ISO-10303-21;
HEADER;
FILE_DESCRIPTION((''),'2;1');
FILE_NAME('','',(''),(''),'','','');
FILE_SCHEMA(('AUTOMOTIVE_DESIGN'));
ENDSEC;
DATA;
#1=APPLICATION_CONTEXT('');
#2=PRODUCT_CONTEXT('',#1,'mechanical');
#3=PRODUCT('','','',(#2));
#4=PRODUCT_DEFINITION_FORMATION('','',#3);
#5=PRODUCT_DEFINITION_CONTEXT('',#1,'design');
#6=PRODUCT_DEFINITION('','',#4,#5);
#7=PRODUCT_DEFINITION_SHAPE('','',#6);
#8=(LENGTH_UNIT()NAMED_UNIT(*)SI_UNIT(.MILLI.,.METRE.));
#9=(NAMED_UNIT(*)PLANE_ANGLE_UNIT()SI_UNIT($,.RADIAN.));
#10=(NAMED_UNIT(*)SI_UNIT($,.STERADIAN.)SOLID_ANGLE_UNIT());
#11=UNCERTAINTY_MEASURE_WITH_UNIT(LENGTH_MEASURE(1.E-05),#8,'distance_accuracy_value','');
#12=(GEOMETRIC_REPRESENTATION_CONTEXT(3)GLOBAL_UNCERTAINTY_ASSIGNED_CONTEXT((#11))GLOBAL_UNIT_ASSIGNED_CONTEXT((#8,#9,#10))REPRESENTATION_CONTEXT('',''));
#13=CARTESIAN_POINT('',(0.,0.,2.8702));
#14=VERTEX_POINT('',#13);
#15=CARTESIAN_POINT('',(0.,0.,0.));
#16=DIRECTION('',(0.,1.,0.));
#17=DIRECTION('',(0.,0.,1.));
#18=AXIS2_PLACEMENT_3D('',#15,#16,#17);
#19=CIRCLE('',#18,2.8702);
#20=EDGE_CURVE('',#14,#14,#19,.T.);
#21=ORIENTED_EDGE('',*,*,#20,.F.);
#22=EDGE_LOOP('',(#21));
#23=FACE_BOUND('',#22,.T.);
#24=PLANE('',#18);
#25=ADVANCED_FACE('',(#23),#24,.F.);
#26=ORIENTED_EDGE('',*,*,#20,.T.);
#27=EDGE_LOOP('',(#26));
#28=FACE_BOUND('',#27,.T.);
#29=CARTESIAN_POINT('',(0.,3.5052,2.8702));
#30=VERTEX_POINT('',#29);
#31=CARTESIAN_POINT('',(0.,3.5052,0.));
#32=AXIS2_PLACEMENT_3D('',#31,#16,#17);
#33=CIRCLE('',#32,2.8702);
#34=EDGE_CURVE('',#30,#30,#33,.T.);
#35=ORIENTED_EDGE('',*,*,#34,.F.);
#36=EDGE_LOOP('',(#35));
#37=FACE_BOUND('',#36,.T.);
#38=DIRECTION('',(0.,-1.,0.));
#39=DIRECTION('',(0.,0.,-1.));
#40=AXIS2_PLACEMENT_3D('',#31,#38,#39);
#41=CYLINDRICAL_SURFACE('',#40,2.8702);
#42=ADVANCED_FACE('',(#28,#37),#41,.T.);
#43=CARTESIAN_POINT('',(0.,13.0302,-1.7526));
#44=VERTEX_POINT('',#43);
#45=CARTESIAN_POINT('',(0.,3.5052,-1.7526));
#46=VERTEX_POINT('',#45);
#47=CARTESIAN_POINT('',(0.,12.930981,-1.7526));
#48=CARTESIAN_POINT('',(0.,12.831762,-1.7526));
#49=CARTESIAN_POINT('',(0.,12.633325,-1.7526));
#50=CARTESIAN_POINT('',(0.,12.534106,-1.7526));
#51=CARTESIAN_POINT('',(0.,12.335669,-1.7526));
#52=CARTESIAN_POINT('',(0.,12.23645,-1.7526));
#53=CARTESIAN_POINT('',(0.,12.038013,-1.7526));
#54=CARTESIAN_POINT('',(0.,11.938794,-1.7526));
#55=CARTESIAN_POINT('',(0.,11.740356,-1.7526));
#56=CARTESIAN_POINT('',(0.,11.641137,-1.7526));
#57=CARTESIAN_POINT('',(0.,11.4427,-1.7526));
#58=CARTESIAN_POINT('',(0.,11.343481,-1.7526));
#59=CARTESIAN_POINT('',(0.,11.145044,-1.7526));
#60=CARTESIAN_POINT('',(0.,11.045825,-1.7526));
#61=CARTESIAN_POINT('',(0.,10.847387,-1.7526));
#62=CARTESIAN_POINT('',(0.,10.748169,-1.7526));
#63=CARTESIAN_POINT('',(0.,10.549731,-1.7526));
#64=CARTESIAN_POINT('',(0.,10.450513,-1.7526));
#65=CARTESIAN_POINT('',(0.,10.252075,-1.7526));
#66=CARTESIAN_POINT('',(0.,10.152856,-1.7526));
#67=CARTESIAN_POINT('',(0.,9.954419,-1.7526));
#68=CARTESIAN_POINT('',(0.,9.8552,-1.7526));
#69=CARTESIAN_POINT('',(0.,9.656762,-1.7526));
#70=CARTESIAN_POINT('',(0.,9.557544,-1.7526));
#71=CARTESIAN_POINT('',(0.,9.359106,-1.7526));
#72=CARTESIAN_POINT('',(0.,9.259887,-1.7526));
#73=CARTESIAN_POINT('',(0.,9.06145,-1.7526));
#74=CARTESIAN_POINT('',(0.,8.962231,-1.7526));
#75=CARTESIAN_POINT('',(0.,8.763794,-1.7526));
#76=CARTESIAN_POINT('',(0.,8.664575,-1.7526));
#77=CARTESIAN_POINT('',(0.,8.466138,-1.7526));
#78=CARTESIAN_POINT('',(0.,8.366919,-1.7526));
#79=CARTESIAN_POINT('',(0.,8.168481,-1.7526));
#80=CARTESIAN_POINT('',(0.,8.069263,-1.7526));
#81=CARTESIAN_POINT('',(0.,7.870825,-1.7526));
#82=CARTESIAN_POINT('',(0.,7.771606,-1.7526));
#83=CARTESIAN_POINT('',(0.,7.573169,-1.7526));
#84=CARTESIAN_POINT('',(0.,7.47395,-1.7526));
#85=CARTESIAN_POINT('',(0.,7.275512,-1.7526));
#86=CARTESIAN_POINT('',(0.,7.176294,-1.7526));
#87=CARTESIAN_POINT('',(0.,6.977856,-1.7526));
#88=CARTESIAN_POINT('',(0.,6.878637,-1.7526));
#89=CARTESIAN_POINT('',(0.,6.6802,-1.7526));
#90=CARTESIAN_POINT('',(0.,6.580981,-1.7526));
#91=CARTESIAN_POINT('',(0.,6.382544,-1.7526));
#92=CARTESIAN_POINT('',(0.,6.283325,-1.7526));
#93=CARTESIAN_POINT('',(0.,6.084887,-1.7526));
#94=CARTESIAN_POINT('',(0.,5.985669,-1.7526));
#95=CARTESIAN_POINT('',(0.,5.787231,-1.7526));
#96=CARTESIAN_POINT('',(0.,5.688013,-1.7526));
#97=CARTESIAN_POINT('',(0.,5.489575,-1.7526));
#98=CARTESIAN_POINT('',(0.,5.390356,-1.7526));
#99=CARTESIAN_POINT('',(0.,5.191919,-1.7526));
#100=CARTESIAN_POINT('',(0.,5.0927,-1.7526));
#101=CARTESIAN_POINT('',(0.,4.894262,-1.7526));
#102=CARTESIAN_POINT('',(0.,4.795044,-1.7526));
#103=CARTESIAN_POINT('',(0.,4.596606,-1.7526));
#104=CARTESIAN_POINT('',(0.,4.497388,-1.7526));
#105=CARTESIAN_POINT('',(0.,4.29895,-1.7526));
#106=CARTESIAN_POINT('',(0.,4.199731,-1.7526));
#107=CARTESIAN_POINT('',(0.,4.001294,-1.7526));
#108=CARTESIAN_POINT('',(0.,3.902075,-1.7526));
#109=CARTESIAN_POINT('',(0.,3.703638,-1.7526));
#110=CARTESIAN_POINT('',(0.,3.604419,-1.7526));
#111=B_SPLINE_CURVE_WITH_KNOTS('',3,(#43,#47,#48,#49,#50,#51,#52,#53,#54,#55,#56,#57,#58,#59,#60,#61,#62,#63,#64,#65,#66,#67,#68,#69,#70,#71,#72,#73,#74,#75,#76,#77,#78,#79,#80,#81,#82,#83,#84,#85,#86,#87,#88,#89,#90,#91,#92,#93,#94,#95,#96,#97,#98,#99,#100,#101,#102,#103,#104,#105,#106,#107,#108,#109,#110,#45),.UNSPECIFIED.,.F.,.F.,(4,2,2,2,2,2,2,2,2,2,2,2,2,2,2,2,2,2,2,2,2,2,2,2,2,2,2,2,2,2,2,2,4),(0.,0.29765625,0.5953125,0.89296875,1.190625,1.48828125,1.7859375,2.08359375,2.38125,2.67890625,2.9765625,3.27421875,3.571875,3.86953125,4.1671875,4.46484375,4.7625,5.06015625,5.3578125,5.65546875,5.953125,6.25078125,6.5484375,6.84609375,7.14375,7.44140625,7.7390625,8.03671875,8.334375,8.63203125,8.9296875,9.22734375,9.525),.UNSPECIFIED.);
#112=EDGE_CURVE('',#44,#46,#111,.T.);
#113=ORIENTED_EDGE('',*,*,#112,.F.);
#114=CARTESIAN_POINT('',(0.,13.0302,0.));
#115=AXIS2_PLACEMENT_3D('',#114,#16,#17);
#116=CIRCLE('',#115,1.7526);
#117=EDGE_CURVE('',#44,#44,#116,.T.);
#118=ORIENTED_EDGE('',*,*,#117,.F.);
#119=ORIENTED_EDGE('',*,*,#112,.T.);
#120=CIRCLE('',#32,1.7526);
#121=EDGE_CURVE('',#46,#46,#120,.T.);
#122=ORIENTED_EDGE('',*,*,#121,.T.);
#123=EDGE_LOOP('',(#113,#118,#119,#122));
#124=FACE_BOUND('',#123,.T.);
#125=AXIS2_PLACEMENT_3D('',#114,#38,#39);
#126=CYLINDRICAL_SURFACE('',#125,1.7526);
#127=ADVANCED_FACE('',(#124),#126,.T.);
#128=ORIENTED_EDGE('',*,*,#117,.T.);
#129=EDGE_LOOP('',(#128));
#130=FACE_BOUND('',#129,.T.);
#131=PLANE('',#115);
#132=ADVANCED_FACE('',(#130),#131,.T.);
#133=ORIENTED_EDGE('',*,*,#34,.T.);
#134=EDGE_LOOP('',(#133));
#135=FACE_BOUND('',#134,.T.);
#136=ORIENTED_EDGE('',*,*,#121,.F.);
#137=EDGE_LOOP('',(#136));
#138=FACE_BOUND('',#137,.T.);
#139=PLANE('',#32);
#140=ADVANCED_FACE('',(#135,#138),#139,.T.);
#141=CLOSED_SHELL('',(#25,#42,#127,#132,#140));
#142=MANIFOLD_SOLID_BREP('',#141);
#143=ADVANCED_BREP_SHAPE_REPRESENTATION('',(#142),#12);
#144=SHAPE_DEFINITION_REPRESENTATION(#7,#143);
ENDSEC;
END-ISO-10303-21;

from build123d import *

# Parameters (mm, degrees)
SKETCH1_R           = 2.8702
BOSS_EXTRUDE1_DEPTH = 3.5052
SKETCH2_R           = 1.7526
BOSS_EXTRUDE2_DEPTH = 9.525


with BuildPart() as part:
    # Sketch1 → Boss-Extrude1 (new body)
    with BuildSketch(Plane(origin=(0, 0, 0), x_dir=(1, 0, 0), z_dir=(0, 1, 0))):
        with Locations(Location((0, 0, 0), (0, 0, 270))):
            Circle(SKETCH1_R)
    extrude(amount=BOSS_EXTRUDE1_DEPTH)

    # Sketch2 → Boss-Extrude2 (add)
    with BuildSketch(Plane(origin=(0, 3.5052, 0), x_dir=(1, 0, 0), z_dir=(0, 1, 0))):
        with Locations(Location((0, 0, 0), (0, 0, 90))):
            Circle(SKETCH2_R)
    extrude(amount=BOSS_EXTRUDE2_DEPTH)


solid = part.part
